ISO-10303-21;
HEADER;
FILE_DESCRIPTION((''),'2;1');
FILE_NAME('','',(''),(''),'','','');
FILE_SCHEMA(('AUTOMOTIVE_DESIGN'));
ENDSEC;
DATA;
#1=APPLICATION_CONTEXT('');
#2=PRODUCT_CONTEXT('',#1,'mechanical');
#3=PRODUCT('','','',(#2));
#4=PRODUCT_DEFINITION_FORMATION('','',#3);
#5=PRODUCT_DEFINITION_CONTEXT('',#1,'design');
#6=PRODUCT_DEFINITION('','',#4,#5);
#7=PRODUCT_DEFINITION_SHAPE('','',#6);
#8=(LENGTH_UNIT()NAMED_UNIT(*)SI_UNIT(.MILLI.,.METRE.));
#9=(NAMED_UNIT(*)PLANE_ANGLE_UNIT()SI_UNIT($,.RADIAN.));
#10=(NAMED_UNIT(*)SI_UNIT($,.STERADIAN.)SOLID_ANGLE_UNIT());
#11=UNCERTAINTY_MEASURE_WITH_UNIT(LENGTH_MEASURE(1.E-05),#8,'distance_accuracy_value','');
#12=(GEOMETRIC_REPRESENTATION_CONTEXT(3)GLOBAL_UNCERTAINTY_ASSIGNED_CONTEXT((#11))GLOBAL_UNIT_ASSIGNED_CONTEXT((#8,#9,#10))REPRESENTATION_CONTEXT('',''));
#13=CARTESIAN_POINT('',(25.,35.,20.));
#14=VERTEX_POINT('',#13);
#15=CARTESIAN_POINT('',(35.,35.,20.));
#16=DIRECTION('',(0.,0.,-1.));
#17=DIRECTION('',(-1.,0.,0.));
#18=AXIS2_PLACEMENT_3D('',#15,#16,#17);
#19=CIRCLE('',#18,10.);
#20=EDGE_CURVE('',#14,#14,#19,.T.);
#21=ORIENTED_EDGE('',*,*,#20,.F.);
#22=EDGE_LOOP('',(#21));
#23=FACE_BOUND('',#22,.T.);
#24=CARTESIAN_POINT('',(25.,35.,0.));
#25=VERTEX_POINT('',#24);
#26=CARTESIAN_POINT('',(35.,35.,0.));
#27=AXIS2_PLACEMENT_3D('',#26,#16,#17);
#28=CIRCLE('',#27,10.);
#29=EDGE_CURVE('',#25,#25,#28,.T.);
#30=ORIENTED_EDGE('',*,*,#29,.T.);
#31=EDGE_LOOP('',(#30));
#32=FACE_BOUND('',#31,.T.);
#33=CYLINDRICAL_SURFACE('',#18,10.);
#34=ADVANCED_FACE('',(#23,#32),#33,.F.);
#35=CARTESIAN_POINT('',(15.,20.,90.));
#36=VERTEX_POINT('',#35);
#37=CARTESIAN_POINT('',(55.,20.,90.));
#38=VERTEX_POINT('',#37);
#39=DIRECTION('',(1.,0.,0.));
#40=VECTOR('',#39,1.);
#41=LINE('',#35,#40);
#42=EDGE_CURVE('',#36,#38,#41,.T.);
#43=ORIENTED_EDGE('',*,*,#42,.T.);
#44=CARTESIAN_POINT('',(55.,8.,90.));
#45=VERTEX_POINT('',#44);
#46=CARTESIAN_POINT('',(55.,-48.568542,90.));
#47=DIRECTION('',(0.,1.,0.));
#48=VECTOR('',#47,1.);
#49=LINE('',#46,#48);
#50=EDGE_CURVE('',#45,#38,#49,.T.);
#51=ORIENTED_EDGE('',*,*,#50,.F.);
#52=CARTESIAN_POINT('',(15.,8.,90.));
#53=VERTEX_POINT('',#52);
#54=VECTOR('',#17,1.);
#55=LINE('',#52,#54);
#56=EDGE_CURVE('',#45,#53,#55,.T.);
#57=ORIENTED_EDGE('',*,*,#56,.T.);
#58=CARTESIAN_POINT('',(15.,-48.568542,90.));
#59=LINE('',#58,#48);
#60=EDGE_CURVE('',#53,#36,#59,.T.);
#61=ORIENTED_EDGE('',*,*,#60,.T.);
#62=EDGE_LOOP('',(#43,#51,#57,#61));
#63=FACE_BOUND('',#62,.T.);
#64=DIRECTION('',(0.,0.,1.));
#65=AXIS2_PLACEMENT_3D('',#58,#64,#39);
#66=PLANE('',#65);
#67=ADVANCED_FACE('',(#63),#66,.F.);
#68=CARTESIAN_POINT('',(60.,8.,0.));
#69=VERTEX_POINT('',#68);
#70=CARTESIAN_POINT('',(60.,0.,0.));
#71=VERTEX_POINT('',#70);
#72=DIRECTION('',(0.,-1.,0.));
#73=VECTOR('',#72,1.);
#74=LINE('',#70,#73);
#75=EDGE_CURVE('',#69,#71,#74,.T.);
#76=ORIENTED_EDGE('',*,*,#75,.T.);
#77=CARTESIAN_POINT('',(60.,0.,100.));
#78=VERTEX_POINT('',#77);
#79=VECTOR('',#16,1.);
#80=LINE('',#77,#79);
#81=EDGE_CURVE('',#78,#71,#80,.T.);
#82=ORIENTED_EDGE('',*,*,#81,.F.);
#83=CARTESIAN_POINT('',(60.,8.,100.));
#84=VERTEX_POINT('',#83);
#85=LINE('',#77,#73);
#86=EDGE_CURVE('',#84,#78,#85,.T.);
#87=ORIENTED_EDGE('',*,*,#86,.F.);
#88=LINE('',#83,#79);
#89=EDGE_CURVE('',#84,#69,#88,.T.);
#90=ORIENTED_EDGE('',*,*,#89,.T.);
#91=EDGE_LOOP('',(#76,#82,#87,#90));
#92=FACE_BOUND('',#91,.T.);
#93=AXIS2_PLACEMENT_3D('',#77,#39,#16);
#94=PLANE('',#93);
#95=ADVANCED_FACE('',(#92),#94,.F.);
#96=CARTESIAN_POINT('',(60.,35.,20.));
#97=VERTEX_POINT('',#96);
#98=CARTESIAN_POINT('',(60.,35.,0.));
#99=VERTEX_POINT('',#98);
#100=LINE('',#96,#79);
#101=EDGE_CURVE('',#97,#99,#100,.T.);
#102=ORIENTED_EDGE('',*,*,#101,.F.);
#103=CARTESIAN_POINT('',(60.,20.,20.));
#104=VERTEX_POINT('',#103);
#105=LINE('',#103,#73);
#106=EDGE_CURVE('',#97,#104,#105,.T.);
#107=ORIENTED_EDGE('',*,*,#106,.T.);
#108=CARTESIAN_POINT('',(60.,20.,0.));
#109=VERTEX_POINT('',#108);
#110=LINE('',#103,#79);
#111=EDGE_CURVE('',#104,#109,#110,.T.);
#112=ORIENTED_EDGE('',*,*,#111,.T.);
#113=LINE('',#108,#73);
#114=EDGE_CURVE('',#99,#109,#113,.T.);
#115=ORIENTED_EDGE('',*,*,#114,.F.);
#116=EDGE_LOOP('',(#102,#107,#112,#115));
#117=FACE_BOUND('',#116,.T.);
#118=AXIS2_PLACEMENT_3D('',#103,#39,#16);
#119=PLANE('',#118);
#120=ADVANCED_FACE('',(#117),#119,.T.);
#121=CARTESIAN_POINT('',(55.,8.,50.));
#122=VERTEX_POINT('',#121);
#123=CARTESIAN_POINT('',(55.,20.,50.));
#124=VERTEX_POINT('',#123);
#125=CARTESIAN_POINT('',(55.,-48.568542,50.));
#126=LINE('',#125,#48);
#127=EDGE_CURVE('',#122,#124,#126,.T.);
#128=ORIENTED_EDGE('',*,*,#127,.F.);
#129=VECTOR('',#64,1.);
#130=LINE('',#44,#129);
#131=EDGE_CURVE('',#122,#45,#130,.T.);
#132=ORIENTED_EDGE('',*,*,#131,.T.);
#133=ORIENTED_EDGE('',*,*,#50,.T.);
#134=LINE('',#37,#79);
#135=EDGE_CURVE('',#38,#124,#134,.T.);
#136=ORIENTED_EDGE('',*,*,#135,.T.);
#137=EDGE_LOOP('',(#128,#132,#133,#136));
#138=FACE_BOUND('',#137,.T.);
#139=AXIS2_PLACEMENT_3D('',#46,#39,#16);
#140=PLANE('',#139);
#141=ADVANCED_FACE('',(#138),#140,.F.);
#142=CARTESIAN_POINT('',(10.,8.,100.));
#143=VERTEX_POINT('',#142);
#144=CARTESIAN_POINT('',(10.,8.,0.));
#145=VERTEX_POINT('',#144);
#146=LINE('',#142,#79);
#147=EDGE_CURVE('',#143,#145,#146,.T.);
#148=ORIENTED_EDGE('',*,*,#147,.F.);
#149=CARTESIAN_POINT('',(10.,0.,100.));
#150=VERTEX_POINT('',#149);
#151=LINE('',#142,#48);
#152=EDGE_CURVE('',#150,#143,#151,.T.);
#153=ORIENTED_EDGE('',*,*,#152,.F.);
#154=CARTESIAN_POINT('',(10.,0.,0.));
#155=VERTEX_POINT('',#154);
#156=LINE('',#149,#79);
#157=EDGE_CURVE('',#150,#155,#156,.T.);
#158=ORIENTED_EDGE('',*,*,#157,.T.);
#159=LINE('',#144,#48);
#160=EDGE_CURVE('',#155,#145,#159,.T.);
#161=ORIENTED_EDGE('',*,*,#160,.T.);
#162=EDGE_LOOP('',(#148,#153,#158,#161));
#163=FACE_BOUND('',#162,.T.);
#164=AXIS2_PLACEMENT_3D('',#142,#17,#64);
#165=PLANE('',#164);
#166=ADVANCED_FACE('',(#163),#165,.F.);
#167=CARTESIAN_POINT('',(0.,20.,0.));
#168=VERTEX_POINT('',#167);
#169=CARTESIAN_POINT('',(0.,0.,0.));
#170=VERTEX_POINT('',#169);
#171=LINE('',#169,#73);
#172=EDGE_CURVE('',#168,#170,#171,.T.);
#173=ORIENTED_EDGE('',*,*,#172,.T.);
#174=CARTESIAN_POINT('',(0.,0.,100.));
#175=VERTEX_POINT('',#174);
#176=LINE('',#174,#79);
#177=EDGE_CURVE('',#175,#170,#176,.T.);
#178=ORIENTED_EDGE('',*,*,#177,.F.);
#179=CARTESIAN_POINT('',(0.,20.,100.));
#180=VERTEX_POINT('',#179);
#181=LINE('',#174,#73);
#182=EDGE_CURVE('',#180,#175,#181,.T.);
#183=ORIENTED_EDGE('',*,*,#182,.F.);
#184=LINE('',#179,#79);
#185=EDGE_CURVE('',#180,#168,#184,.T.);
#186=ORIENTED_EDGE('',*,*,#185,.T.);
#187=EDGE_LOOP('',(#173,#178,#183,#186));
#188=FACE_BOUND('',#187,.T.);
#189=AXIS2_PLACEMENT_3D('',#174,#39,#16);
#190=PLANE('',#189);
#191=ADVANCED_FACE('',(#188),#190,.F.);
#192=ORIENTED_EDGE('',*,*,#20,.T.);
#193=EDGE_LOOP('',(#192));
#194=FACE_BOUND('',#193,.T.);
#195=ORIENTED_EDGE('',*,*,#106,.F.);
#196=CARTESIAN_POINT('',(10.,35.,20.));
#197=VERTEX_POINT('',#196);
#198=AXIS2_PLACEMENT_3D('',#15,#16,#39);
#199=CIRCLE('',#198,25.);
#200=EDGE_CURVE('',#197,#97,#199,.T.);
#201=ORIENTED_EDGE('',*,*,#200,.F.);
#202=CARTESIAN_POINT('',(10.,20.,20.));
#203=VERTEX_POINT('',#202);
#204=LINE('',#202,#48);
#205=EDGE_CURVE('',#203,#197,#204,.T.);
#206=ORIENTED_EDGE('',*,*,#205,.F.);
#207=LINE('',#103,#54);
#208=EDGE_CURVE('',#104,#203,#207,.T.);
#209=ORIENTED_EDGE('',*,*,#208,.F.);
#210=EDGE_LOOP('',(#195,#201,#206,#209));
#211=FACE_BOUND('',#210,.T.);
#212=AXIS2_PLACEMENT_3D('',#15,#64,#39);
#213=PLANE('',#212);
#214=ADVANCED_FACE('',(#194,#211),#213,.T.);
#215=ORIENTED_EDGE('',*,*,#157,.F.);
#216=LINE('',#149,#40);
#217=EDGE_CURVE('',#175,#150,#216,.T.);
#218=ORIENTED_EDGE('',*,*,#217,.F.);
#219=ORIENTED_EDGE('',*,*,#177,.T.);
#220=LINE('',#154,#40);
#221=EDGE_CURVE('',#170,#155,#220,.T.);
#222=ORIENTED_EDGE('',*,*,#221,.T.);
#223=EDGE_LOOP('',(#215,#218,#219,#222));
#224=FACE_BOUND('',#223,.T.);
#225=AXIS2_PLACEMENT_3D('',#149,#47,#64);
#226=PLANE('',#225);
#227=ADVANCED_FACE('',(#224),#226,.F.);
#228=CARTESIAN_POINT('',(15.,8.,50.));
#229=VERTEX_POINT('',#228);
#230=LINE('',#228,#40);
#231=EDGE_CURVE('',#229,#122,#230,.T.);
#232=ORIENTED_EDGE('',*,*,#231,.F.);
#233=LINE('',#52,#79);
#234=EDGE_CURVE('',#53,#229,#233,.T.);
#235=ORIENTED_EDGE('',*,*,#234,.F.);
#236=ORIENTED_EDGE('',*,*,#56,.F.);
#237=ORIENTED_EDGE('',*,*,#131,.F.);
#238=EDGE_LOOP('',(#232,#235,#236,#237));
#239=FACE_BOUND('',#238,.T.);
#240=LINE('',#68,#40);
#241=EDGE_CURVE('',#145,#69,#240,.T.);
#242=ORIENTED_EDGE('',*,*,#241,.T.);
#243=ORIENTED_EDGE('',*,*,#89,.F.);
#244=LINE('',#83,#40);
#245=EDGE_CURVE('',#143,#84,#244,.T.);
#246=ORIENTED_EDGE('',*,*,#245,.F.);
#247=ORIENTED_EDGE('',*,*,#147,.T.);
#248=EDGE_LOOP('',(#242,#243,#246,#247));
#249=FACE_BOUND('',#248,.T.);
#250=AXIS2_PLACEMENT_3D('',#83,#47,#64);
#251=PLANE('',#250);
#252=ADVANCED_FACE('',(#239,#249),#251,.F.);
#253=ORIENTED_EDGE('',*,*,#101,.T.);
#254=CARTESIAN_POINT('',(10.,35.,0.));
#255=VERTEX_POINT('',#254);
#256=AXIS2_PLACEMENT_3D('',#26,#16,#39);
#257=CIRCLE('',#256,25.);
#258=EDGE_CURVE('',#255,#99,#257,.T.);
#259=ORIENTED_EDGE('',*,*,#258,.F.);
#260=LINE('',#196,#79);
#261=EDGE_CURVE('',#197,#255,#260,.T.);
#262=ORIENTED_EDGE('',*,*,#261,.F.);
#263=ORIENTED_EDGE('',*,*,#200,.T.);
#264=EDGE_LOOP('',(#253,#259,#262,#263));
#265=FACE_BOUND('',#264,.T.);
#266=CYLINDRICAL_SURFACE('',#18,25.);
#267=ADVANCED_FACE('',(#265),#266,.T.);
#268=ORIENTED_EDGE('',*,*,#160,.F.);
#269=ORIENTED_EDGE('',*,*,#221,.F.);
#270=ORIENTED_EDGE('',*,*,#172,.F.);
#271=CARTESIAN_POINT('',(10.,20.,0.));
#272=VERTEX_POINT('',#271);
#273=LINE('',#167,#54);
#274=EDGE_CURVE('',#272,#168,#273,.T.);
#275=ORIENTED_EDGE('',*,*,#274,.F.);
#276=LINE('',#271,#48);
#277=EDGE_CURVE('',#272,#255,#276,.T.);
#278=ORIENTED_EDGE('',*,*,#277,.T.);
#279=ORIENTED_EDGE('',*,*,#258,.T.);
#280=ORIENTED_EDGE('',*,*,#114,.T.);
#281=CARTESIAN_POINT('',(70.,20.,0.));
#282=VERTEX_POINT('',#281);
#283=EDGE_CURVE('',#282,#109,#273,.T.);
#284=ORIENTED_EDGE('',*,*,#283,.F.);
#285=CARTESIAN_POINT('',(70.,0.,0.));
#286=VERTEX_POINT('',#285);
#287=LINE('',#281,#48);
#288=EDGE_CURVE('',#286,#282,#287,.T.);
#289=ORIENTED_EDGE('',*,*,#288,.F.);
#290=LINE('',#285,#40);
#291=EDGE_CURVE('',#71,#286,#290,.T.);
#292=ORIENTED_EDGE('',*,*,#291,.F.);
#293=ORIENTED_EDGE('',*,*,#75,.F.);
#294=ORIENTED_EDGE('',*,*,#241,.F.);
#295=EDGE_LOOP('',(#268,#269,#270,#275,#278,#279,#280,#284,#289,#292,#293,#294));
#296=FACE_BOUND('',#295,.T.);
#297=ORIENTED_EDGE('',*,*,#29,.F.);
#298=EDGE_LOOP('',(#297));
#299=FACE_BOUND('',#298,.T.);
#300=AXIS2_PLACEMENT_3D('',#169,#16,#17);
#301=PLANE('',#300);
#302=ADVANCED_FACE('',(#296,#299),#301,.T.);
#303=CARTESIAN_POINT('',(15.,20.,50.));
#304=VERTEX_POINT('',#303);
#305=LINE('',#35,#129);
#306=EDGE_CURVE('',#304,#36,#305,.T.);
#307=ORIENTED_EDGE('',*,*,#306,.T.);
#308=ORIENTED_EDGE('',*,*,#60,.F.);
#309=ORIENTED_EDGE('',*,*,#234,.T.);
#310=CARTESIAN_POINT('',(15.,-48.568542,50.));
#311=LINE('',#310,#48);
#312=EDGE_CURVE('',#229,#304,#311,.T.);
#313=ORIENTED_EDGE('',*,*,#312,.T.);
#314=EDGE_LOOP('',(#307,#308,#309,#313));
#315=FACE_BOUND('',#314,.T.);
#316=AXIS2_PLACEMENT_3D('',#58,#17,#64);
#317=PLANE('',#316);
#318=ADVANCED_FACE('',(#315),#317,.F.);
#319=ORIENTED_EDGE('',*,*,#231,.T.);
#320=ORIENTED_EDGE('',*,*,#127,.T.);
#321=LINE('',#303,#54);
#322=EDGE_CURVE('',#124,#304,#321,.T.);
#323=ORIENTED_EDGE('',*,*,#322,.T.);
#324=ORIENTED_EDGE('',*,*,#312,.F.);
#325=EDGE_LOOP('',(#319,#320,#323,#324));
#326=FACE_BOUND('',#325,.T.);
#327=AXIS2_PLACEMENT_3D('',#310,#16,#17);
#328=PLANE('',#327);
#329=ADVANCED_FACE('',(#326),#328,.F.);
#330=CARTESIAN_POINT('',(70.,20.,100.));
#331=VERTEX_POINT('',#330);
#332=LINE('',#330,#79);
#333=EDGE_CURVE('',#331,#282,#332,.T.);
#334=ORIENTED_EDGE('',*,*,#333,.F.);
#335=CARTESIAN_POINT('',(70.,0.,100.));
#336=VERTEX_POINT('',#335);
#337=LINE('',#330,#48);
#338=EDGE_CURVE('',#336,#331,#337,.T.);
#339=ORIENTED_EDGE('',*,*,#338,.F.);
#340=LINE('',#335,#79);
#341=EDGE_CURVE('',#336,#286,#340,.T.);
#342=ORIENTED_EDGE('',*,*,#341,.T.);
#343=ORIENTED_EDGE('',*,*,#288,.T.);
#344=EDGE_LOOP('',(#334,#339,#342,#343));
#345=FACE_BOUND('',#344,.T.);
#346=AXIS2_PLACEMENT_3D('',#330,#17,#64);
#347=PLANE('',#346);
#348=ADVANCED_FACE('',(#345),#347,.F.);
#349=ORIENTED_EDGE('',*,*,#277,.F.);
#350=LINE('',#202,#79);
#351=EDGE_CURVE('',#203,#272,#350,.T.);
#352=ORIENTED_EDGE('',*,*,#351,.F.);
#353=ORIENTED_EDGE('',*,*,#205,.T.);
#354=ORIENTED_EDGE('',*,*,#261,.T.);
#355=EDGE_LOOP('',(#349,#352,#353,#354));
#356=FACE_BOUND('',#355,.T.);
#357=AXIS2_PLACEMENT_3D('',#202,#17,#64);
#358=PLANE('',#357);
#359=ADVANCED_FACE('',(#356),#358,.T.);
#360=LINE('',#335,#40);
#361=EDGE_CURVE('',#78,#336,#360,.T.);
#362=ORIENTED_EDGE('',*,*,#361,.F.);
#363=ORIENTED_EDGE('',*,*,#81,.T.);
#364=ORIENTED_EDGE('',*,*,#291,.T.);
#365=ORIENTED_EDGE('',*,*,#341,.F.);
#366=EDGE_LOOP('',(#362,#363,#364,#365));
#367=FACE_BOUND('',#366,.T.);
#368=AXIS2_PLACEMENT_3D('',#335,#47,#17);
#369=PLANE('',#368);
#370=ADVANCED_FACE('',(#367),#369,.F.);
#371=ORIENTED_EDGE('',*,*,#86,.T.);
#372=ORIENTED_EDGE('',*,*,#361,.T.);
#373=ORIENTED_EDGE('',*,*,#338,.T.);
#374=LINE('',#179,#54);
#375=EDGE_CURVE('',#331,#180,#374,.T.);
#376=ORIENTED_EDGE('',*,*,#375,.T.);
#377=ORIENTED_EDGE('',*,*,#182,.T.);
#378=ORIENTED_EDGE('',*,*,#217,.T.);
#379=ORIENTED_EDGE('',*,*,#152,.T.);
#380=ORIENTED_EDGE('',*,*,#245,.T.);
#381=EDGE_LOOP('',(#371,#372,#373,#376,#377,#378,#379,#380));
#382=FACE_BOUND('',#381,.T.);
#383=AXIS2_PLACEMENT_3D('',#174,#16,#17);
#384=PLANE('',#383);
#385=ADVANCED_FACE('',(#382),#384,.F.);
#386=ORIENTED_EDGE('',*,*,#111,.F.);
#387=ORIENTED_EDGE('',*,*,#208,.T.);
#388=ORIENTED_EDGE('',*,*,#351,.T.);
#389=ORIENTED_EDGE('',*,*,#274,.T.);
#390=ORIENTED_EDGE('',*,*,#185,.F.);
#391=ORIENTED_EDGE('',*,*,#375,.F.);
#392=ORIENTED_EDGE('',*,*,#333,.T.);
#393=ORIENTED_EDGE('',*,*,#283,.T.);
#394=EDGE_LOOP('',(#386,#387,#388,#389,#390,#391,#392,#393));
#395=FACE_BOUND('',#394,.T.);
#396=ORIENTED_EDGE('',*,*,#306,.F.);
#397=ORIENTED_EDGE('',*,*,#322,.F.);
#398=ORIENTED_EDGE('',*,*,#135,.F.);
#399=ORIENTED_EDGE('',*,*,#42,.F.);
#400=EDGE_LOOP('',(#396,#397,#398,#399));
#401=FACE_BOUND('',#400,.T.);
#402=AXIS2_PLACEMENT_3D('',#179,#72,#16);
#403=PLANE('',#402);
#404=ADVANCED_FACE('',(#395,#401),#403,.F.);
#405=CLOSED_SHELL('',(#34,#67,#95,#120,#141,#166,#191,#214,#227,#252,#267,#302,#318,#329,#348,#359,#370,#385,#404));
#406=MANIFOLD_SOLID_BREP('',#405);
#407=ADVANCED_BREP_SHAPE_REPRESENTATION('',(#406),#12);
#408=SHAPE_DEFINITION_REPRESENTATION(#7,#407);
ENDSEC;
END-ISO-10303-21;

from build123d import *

# Parameters (mm, degrees)
EXTRUDE_1_DEPTH     = 100
SKETCH_3_R          = 10
EXTRUDE_2_DEPTH     = 20
SKETCH_4_W          = 40
SKETCH_4_H          = 40
CUT_EXTRUDE_1_DEPTH = 12


with BuildPart() as part:
    # Эскиз1 → Бобышка-Вытянуть1 (new body)
    with BuildSketch(Plane.XY):
        Polygon((0, 0), (0, 20), (70, 20), (70, 0), (60, 0), (60, 8), (10, 8), (10, 0), align=None)
    extrude(amount=EXTRUDE_1_DEPTH)

    # Эскиз3 → Бобышка-Вытянуть2 (add)
    with BuildSketch(Plane(origin=(0, 0, 0), x_dir=(-1, 0, 0), z_dir=(0, 0, -1))):
        with BuildLine():
            Line((-60, 20), (-60, 35))
            ThreePointArc((-60, 35), (-35, 60), (-10, 35))
            Line((-10, 35), (-10, 20))
            Line((-10, 20), (-60, 20))
        make_face()
        with Locations((-35, 35)):
            Circle(SKETCH_3_R, mode=Mode.SUBTRACT)
    extrude(amount=-EXTRUDE_2_DEPTH)

    # Эскиз4 → Вырез-Вытянуть1 (cut)
    with BuildSketch(Plane(origin=(0, 20, 0), x_dir=(1, 0, 0), z_dir=(0, 1, 0))):
        with Locations((35, -70)):
            Rectangle(SKETCH_4_W, SKETCH_4_H)
    extrude(amount=-CUT_EXTRUDE_1_DEPTH, mode=Mode.SUBTRACT)


solid = part.part
